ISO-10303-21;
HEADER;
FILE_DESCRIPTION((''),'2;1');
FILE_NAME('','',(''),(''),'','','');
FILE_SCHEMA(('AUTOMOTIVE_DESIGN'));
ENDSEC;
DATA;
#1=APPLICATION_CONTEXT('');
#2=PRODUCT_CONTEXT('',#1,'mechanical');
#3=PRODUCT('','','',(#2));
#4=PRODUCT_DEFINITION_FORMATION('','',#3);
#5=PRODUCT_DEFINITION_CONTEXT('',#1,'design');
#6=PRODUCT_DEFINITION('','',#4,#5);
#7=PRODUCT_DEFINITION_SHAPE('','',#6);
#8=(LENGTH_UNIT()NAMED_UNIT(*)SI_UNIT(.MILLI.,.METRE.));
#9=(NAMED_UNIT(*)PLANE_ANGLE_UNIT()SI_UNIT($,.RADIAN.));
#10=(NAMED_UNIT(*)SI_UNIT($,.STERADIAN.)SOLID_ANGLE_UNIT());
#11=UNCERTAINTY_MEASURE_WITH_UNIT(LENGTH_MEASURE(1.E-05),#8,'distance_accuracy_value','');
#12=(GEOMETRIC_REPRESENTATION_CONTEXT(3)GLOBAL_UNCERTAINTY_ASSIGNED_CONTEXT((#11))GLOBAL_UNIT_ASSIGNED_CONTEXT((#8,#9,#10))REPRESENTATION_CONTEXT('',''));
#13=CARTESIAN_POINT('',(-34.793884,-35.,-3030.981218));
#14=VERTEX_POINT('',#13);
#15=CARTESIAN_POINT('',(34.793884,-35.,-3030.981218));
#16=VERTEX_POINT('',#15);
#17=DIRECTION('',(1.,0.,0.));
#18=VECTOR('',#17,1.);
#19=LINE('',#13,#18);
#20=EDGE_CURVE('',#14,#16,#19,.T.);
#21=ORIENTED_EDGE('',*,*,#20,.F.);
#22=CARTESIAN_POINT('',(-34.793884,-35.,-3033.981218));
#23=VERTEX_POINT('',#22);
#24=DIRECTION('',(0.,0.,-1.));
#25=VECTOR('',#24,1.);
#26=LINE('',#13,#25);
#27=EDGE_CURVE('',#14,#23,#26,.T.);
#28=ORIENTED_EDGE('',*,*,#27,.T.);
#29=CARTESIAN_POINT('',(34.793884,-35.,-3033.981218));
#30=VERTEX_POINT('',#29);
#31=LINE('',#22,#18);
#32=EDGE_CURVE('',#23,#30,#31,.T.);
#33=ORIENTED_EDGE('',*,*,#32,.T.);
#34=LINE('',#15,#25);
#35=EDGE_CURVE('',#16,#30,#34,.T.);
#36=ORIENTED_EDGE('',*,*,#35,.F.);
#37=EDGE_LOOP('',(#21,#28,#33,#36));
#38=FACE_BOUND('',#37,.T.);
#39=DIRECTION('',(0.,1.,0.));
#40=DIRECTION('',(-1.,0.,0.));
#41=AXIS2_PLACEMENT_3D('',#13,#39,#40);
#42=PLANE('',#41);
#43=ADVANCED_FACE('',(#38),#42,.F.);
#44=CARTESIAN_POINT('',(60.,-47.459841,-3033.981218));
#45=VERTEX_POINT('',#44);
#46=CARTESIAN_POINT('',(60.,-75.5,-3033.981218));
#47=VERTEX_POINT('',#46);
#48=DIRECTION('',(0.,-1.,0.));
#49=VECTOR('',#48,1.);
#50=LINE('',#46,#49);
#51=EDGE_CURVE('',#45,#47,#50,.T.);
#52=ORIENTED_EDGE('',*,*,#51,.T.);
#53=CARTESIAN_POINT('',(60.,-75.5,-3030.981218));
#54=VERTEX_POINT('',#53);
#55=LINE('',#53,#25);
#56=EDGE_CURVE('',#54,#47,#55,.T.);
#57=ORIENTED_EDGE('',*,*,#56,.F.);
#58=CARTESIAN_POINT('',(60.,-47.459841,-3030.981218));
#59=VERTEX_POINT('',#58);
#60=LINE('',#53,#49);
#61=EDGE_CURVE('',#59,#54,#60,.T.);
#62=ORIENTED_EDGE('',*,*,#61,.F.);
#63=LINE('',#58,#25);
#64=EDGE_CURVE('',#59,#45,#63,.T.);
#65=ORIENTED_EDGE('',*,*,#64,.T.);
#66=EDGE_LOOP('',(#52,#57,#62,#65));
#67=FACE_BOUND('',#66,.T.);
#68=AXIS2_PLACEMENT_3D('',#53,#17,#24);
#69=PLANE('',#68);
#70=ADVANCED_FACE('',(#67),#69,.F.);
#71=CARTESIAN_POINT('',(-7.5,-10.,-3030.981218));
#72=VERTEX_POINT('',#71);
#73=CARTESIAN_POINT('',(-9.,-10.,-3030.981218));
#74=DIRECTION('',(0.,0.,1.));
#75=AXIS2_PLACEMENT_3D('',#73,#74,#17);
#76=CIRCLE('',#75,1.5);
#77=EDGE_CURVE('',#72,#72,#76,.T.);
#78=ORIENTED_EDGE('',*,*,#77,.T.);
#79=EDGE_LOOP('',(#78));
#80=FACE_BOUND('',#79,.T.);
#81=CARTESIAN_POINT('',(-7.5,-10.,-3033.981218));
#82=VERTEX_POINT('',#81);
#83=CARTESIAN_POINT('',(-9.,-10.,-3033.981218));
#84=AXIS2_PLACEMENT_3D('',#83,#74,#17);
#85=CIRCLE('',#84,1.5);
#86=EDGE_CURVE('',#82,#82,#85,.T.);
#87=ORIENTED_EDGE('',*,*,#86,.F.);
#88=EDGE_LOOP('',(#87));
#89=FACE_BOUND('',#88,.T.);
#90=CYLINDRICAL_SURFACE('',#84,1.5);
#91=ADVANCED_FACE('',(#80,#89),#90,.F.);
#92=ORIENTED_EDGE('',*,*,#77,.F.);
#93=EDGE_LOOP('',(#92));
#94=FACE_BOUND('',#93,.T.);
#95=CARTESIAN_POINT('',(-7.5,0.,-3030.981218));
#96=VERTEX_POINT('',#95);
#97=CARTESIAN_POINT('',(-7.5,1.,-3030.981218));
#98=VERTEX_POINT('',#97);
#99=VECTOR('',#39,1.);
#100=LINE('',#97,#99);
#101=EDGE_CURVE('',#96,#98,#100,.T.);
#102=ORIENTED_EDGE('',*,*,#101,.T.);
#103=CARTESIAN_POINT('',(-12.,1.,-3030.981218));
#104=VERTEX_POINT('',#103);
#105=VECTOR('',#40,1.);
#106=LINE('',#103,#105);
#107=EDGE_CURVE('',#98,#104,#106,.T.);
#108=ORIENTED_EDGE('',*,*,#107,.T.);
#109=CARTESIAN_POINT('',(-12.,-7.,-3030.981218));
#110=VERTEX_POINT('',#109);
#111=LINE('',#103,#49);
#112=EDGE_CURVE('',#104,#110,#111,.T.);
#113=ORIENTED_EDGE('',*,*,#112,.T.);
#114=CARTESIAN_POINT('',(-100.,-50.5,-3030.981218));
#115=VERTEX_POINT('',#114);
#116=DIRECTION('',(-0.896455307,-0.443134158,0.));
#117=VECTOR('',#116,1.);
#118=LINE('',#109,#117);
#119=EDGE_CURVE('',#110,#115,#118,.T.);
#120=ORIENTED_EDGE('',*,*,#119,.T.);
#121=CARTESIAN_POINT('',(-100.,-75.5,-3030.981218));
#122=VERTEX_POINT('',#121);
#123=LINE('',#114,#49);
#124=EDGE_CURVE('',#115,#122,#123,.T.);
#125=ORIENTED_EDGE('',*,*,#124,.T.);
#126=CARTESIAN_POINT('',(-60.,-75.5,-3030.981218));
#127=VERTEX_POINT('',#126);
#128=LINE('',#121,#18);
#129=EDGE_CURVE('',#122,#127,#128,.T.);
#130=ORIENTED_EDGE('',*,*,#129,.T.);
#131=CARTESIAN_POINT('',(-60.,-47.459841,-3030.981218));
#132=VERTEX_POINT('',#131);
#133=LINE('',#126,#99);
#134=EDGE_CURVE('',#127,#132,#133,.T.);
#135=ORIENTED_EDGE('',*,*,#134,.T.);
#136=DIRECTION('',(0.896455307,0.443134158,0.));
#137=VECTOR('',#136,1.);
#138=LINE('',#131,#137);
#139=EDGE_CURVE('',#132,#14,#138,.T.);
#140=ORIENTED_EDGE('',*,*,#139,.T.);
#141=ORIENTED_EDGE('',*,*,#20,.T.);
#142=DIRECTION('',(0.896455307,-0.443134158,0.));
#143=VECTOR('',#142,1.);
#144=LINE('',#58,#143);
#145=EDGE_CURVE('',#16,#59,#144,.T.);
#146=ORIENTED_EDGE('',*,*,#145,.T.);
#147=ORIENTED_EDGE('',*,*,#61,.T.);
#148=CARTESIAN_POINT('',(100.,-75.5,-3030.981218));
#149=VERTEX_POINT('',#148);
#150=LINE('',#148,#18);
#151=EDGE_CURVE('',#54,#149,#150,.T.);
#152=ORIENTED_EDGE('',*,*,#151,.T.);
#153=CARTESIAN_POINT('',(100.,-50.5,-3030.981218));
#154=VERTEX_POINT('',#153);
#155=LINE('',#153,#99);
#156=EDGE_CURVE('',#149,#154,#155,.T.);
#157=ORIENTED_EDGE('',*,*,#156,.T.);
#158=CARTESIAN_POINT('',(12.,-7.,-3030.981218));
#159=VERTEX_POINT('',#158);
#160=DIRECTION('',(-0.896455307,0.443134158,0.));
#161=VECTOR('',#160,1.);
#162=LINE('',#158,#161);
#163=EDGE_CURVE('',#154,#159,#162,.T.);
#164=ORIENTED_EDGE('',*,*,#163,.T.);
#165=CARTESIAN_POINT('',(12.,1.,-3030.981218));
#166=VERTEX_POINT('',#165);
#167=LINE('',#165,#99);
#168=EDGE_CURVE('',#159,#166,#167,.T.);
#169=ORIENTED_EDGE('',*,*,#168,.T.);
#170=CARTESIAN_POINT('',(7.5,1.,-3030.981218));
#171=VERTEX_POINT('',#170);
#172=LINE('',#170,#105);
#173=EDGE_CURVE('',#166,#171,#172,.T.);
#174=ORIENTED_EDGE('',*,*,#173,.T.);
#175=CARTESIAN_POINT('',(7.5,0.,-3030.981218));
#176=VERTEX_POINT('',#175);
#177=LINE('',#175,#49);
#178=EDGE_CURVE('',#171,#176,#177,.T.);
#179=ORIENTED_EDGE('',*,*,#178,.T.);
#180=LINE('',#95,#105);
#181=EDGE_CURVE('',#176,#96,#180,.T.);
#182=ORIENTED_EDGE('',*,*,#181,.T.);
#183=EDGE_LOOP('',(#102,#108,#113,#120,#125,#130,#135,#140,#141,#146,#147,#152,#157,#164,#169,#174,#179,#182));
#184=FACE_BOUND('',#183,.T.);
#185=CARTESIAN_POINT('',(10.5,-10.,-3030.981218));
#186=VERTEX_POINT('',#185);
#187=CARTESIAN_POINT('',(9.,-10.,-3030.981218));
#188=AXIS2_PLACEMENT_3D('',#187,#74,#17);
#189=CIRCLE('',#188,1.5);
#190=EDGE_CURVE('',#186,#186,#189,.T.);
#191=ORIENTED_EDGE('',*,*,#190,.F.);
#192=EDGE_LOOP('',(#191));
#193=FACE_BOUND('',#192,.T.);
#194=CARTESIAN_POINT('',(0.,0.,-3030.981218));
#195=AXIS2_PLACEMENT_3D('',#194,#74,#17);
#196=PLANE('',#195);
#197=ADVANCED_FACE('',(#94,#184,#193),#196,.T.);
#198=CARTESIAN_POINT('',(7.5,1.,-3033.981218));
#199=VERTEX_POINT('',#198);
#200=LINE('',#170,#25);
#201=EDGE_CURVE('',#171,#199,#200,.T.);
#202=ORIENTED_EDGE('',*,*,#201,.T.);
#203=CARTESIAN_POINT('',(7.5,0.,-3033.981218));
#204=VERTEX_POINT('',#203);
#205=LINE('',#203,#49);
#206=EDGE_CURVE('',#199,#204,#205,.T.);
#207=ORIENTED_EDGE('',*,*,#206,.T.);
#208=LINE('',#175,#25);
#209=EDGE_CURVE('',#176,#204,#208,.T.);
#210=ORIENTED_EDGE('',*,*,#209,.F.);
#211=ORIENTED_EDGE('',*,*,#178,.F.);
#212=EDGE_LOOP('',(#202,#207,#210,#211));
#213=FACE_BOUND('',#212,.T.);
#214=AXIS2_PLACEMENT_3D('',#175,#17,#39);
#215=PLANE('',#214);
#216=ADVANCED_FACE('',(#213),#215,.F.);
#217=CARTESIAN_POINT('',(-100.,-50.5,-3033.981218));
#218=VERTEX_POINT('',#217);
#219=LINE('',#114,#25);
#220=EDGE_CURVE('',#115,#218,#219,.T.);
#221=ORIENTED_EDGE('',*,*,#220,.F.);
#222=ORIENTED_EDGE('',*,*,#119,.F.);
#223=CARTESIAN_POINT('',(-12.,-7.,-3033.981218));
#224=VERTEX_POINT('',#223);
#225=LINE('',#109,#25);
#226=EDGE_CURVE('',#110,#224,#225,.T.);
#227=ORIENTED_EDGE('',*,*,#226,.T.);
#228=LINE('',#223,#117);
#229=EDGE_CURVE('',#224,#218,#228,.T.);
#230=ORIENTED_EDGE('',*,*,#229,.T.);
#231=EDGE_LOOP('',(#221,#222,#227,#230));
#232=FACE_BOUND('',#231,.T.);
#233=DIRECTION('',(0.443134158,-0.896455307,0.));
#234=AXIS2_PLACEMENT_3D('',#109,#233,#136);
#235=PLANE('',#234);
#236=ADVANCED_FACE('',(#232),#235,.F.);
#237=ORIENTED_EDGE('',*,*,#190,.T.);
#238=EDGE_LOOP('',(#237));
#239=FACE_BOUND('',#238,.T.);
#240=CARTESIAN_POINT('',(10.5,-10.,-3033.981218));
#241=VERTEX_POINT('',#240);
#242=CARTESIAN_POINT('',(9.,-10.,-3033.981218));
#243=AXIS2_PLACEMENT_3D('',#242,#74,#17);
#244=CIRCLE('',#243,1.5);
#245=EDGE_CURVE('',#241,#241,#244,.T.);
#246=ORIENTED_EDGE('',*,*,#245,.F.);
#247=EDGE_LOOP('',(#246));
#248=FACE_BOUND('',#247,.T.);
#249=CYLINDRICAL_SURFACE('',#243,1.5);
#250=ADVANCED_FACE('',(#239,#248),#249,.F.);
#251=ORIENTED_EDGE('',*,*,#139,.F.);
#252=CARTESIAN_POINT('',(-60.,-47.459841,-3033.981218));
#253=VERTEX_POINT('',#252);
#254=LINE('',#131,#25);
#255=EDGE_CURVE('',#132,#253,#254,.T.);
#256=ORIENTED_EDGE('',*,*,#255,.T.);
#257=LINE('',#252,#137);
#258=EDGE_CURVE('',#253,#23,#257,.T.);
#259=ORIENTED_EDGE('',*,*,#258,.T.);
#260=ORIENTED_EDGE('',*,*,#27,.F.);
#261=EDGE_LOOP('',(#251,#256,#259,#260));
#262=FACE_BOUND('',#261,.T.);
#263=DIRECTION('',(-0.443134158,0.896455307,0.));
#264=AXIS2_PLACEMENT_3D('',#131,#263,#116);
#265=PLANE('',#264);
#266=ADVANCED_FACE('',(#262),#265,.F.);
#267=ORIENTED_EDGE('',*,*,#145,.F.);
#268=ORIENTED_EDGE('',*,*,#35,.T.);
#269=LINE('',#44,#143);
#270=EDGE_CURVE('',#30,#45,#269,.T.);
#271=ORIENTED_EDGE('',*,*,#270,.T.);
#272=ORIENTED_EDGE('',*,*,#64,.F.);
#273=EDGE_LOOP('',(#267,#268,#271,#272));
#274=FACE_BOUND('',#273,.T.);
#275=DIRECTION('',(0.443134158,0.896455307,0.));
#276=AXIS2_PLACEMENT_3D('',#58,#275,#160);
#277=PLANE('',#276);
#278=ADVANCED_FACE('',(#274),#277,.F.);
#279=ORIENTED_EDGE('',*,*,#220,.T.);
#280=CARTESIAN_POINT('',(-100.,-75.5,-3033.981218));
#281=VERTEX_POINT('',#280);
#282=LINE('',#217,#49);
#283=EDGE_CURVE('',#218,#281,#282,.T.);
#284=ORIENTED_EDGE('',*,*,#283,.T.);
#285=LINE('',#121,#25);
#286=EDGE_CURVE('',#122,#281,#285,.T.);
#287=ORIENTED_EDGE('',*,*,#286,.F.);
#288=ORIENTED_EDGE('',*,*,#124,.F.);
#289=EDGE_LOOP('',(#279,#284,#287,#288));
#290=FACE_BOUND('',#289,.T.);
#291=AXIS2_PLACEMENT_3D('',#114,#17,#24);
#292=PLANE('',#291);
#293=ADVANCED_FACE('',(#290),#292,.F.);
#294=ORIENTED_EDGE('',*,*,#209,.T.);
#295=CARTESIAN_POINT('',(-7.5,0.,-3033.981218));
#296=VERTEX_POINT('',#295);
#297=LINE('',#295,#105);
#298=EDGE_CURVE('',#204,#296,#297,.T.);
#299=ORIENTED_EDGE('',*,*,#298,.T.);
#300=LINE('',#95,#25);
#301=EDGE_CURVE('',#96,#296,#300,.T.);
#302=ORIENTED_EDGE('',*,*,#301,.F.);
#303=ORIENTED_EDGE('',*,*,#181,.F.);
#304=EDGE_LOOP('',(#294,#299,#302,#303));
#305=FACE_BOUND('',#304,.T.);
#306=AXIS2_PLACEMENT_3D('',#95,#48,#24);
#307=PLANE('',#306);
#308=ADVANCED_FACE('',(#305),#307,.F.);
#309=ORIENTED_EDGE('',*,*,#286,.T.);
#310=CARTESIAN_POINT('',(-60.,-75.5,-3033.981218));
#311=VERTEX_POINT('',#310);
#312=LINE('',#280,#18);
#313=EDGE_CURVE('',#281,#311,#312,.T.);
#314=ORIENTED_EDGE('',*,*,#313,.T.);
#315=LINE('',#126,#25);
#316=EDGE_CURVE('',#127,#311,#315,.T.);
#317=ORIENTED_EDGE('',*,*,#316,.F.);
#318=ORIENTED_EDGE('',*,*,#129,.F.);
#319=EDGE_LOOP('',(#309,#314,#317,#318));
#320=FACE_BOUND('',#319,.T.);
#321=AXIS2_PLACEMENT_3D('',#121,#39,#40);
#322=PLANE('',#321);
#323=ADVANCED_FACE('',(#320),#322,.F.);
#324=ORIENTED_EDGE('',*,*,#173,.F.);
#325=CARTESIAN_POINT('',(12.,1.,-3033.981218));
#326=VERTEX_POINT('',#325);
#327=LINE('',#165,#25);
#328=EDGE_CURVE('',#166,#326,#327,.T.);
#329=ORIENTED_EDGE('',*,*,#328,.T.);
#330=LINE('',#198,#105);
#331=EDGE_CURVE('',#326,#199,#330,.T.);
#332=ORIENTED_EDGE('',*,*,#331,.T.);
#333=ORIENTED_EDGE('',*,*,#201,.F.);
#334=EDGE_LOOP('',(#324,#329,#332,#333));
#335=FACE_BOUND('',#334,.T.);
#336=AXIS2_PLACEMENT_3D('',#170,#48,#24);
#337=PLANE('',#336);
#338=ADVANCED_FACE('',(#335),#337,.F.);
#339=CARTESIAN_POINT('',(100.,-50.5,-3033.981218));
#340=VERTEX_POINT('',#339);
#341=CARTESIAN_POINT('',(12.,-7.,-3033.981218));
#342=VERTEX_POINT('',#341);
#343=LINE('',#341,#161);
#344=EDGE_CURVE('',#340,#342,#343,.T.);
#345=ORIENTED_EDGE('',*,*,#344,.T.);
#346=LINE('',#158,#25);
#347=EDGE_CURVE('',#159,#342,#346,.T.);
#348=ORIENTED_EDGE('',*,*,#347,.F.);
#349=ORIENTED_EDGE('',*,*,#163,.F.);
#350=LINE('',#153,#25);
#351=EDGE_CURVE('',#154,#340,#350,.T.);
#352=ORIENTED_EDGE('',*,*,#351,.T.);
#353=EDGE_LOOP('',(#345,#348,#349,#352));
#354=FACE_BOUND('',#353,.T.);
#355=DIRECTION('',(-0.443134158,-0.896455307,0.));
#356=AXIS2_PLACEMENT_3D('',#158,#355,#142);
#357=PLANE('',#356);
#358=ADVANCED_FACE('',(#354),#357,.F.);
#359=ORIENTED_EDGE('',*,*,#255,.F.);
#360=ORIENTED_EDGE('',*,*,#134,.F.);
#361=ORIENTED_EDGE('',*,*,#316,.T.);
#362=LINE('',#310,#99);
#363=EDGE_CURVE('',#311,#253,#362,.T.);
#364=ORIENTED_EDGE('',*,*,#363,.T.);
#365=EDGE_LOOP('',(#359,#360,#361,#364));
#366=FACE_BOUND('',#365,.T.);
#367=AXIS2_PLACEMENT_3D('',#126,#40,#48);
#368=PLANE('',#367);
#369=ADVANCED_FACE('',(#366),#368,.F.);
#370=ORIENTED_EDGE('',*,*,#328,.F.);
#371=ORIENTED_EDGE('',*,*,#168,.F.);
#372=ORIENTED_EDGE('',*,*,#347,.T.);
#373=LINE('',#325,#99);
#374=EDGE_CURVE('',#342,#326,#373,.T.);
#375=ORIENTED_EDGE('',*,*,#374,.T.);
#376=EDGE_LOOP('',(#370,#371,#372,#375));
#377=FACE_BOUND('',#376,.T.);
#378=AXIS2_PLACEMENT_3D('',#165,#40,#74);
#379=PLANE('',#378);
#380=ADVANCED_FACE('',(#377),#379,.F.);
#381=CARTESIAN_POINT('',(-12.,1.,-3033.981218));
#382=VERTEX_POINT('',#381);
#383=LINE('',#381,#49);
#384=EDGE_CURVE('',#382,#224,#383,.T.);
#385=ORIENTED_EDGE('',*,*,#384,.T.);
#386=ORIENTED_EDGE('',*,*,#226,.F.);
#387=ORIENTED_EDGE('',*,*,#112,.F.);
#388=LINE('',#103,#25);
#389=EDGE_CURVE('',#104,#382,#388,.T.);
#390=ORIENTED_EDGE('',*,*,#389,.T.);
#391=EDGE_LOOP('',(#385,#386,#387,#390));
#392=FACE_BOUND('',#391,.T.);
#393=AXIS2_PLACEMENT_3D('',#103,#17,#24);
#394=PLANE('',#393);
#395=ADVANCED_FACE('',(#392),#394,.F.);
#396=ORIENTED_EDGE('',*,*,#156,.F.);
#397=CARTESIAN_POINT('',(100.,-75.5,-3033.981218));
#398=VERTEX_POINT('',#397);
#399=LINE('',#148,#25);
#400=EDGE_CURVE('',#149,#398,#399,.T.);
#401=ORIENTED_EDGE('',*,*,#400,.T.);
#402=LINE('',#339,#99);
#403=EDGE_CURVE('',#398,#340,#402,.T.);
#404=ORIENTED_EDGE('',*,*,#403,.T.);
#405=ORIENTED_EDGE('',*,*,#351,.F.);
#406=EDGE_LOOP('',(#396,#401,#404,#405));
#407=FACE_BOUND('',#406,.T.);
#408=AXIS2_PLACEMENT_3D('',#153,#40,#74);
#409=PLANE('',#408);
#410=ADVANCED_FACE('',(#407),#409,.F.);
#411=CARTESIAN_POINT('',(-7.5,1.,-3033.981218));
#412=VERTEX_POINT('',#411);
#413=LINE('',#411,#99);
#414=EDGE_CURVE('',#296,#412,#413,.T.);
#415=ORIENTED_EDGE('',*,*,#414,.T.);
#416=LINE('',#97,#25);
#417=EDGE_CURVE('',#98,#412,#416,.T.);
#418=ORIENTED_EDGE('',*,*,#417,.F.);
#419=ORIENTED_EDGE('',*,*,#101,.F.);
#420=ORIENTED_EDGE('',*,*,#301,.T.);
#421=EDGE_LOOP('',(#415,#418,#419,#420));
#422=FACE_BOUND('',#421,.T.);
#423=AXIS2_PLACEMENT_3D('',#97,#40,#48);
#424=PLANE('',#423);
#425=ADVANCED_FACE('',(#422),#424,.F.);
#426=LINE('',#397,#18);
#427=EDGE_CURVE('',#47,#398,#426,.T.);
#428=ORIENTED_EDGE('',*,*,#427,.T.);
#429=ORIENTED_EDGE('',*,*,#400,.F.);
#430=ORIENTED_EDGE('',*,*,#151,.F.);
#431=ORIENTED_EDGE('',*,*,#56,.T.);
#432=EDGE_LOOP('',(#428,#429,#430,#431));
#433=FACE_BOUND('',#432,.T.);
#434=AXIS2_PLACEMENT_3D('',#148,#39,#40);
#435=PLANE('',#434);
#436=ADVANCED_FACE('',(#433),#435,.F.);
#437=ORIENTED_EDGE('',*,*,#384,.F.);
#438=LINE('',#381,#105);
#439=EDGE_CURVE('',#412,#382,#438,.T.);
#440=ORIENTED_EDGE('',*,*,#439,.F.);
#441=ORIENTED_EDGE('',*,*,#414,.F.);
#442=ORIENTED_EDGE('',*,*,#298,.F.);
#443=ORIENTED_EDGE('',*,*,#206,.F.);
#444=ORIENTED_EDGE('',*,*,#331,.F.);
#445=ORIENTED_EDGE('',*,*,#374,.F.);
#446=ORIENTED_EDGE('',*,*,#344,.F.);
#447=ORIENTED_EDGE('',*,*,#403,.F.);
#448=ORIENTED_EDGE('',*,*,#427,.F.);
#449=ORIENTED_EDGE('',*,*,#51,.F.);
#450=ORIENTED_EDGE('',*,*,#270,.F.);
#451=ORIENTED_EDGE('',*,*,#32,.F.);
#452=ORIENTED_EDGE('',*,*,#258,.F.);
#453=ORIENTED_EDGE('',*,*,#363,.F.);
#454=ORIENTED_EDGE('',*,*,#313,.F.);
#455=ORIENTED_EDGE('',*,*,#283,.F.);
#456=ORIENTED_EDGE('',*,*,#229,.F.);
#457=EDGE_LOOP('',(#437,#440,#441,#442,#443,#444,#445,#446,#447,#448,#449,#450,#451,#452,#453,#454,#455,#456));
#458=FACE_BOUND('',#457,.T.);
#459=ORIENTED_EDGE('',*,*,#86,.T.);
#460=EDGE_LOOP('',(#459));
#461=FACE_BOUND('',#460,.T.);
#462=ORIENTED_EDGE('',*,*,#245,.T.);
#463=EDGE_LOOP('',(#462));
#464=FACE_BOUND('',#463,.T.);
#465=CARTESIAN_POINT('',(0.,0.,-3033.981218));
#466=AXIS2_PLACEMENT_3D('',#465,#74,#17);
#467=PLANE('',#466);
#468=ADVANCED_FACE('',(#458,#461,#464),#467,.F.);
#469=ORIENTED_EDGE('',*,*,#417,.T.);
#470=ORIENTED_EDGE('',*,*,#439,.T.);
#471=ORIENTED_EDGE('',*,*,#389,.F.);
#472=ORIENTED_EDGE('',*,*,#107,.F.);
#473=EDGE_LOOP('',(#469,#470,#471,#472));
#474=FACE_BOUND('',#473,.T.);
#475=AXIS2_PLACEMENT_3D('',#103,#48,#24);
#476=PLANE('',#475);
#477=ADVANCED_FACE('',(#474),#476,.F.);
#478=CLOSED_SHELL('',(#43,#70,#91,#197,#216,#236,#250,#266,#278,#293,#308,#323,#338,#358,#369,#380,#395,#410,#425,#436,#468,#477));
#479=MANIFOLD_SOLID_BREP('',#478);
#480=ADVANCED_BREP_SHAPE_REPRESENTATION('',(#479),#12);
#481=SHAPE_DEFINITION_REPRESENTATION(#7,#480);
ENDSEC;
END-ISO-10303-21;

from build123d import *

# Parameters (mm, degrees)
EXTRUDE_1_DEPTH     = 3
SKETCH_3_R          = 1.5
CUT_EXTRUDE_1_DEPTH = 3


with BuildPart() as part:
    # 草图2 → 凸台-拉伸1 (new body)
    with BuildSketch(Plane(origin=(356.17996861, -2895.528235046, -3033.98121825), x_dir=(1, 0, 0), z_dir=(0, 0, 1))):
        Polygon((-296.17996861, 2848.06839364), (-321.386084558, 2860.528235046), (-390.973852662, 2860.528235046), (-416.17996861, 2848.06839364), (-416.17996861, 2820.028235046), (-456.17996861, 2820.028235046), (-456.17996861, 2845.028235046), (-368.17996861, 2888.528235046), (-368.17996861, 2896.528235046), (-363.67996861, 2896.528235046), (-363.67996861, 2895.528235046), (-348.67996861, 2895.528235046), (-348.67996861, 2896.528235046), (-344.17996861, 2896.528235046), (-344.17996861, 2888.528235046), (-256.17996861, 2845.028235046), (-256.17996861, 2820.028235046), (-296.17996861, 2820.028235046), align=None)
    extrude(amount=EXTRUDE_1_DEPTH)

    # 草图3 → 切除-拉伸1 (cut)
    with BuildSketch(Plane.XY.offset(-3030.98121825)):
        with Locations((9, -10)):
            Circle(SKETCH_3_R)
        with Locations((-9, -10)):
            Circle(SKETCH_3_R)
    extrude(amount=-CUT_EXTRUDE_1_DEPTH, mode=Mode.SUBTRACT)


solid = part.part
